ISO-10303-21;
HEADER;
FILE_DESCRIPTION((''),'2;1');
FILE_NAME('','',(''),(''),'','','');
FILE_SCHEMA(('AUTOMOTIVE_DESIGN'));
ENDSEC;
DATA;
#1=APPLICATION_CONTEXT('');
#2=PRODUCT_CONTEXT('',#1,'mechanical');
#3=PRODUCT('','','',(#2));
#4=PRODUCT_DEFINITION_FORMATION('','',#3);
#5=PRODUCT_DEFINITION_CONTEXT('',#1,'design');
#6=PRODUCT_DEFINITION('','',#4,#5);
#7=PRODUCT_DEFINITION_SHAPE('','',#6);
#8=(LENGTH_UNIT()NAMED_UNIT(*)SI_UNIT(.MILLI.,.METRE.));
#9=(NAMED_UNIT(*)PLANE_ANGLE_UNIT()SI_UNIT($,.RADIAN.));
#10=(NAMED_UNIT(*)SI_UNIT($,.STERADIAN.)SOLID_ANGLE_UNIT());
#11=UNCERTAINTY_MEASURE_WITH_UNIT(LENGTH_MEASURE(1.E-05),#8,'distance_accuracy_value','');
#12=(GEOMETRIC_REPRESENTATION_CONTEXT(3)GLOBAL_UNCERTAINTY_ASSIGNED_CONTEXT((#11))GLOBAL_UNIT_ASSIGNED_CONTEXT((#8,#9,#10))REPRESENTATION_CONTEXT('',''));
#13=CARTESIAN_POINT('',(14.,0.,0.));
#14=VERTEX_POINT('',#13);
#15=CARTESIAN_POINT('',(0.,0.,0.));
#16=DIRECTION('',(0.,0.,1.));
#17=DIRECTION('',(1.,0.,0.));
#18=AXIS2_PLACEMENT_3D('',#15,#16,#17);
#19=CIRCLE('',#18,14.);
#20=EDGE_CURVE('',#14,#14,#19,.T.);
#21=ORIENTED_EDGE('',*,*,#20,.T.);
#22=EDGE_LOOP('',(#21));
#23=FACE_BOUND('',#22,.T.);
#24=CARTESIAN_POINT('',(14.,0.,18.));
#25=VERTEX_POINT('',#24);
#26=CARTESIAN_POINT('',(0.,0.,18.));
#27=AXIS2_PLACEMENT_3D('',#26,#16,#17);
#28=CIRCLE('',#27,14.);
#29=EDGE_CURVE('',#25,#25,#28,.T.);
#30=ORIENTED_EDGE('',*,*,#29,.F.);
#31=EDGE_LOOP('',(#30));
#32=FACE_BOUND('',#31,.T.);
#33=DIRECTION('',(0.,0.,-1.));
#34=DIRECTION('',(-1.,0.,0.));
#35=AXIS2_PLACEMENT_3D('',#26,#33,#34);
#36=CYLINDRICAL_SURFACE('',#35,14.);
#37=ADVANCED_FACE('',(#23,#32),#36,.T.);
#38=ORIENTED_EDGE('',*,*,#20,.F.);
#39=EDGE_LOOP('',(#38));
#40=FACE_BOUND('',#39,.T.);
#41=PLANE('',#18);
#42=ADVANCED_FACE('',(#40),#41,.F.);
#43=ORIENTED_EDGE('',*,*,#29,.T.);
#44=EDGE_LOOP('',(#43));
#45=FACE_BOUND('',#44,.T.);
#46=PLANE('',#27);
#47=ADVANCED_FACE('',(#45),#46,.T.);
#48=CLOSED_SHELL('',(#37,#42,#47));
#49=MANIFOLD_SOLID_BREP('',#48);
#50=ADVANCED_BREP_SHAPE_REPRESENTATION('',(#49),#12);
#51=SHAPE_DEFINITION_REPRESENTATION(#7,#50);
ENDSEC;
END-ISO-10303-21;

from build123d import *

# Parameters (mm, degrees)
SKETCH_1_R      = 14
EXTRUDE_1_DEPTH = 18


with BuildPart() as part:
    # 草图1 → 凸台-拉伸1 (new body)
    with BuildSketch(Plane.XY):
        Circle(SKETCH_1_R)
    extrude(amount=EXTRUDE_1_DEPTH)


solid = part.part
